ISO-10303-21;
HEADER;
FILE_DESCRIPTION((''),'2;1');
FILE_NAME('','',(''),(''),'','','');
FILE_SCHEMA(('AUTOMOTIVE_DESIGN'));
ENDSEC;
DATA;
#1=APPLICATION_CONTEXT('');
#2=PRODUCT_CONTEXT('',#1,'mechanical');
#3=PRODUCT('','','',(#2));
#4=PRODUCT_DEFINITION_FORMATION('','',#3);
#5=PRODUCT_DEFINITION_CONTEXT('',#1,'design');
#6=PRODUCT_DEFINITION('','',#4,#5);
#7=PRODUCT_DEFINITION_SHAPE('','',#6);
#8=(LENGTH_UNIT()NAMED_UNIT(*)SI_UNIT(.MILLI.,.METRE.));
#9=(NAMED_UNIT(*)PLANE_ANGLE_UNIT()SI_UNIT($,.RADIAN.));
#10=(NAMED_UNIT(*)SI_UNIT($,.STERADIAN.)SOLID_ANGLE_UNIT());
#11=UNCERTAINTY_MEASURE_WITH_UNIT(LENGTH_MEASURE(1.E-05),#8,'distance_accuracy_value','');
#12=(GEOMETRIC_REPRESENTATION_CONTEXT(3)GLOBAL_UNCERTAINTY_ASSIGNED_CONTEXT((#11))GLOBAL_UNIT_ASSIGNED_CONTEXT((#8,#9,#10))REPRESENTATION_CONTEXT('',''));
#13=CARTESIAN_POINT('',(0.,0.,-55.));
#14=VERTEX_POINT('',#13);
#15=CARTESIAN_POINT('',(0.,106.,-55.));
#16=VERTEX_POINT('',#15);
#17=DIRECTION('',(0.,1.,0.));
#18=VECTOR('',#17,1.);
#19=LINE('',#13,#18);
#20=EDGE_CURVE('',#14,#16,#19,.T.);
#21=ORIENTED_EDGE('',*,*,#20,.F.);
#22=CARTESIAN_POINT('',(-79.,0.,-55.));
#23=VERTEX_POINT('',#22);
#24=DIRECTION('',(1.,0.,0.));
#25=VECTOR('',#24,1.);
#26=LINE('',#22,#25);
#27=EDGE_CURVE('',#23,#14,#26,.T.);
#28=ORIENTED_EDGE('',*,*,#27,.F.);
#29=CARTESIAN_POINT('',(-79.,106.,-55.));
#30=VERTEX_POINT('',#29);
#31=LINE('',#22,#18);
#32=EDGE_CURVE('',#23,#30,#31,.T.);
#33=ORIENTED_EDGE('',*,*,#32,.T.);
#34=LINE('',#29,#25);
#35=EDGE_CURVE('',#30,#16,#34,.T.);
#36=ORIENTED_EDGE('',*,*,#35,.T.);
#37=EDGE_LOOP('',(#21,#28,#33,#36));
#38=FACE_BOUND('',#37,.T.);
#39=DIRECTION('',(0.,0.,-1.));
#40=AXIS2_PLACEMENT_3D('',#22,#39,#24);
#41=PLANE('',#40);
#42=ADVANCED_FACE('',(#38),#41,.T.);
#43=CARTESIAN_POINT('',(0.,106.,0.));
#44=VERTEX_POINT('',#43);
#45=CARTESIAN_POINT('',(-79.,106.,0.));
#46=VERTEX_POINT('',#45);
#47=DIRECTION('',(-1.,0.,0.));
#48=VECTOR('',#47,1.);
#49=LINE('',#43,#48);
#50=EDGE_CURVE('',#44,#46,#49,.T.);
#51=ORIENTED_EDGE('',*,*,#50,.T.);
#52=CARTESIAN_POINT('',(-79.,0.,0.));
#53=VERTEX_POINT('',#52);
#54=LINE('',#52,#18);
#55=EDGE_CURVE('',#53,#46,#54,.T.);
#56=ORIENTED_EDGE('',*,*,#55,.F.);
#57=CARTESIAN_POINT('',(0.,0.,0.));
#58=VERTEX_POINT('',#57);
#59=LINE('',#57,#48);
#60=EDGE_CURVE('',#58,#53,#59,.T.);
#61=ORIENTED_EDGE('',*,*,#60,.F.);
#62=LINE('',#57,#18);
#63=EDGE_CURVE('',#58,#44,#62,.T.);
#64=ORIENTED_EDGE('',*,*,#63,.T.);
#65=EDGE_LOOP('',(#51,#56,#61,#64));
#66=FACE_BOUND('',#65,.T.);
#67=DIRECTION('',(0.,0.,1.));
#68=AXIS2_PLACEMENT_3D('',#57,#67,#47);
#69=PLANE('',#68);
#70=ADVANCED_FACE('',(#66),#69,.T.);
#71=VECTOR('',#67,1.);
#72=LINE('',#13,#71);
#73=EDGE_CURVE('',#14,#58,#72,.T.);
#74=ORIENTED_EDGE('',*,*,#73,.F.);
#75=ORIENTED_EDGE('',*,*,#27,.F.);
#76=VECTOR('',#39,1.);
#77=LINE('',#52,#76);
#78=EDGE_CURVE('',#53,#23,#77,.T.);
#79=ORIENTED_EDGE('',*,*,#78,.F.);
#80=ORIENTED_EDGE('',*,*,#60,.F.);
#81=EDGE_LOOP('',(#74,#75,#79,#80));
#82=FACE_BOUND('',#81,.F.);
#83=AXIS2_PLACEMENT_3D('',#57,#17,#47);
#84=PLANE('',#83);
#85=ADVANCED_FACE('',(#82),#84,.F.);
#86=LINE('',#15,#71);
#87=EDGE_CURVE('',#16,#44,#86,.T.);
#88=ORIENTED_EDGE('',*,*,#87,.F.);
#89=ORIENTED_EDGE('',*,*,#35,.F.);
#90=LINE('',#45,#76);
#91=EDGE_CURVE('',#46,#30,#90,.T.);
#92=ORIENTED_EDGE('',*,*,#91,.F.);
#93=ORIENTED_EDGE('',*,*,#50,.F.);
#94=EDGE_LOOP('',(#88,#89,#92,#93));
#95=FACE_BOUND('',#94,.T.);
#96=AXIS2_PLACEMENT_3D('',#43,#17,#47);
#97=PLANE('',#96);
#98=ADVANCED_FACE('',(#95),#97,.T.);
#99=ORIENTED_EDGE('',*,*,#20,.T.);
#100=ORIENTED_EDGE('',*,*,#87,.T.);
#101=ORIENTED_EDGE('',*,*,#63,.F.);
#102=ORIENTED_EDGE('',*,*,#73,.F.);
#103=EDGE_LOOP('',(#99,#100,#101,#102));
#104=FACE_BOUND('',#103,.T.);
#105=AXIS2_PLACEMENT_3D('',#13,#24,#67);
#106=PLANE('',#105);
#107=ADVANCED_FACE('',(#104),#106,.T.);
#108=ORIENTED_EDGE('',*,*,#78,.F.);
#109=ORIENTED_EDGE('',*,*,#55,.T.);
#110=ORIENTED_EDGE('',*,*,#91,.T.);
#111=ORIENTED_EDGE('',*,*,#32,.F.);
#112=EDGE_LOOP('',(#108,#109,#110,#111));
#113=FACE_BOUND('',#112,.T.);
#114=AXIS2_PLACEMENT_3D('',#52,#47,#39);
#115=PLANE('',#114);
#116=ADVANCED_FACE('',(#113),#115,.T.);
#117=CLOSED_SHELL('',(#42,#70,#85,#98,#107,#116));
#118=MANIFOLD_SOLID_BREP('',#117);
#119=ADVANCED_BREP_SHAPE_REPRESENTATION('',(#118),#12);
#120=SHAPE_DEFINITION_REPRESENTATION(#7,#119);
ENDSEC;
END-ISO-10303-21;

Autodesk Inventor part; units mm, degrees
ref_plane "YZ Plane" through (0, 0, 0) normal (1, 0, 0) x (0, 1, 0)
ref_plane "XZ Plane" through (0, 0, 0) normal (0, 1, 0) x (-1, 0, 0)
ref_plane "XY Plane" through (0, 0, 0) normal (0, 0, 1) x (1, 0, 0)
sketch "Sketch1" plane through (0, 0, 0) normal (0, 1, 0) x (-1, 0, 0)
  line L0 (0, 0) -> (79, 0)
  line L1 (79, 0) -> (79, -55)
  line L2 (79, -55) -> (0, -55)
  line L3 (0, -55) -> (0, 0)
  dimension "d0" = 55
  dimension "d1" = 79
extrude "Extrusion1" add sketch "Sketch1" along normal blind 106
properties part number "battery" material "ABS Plastic"
